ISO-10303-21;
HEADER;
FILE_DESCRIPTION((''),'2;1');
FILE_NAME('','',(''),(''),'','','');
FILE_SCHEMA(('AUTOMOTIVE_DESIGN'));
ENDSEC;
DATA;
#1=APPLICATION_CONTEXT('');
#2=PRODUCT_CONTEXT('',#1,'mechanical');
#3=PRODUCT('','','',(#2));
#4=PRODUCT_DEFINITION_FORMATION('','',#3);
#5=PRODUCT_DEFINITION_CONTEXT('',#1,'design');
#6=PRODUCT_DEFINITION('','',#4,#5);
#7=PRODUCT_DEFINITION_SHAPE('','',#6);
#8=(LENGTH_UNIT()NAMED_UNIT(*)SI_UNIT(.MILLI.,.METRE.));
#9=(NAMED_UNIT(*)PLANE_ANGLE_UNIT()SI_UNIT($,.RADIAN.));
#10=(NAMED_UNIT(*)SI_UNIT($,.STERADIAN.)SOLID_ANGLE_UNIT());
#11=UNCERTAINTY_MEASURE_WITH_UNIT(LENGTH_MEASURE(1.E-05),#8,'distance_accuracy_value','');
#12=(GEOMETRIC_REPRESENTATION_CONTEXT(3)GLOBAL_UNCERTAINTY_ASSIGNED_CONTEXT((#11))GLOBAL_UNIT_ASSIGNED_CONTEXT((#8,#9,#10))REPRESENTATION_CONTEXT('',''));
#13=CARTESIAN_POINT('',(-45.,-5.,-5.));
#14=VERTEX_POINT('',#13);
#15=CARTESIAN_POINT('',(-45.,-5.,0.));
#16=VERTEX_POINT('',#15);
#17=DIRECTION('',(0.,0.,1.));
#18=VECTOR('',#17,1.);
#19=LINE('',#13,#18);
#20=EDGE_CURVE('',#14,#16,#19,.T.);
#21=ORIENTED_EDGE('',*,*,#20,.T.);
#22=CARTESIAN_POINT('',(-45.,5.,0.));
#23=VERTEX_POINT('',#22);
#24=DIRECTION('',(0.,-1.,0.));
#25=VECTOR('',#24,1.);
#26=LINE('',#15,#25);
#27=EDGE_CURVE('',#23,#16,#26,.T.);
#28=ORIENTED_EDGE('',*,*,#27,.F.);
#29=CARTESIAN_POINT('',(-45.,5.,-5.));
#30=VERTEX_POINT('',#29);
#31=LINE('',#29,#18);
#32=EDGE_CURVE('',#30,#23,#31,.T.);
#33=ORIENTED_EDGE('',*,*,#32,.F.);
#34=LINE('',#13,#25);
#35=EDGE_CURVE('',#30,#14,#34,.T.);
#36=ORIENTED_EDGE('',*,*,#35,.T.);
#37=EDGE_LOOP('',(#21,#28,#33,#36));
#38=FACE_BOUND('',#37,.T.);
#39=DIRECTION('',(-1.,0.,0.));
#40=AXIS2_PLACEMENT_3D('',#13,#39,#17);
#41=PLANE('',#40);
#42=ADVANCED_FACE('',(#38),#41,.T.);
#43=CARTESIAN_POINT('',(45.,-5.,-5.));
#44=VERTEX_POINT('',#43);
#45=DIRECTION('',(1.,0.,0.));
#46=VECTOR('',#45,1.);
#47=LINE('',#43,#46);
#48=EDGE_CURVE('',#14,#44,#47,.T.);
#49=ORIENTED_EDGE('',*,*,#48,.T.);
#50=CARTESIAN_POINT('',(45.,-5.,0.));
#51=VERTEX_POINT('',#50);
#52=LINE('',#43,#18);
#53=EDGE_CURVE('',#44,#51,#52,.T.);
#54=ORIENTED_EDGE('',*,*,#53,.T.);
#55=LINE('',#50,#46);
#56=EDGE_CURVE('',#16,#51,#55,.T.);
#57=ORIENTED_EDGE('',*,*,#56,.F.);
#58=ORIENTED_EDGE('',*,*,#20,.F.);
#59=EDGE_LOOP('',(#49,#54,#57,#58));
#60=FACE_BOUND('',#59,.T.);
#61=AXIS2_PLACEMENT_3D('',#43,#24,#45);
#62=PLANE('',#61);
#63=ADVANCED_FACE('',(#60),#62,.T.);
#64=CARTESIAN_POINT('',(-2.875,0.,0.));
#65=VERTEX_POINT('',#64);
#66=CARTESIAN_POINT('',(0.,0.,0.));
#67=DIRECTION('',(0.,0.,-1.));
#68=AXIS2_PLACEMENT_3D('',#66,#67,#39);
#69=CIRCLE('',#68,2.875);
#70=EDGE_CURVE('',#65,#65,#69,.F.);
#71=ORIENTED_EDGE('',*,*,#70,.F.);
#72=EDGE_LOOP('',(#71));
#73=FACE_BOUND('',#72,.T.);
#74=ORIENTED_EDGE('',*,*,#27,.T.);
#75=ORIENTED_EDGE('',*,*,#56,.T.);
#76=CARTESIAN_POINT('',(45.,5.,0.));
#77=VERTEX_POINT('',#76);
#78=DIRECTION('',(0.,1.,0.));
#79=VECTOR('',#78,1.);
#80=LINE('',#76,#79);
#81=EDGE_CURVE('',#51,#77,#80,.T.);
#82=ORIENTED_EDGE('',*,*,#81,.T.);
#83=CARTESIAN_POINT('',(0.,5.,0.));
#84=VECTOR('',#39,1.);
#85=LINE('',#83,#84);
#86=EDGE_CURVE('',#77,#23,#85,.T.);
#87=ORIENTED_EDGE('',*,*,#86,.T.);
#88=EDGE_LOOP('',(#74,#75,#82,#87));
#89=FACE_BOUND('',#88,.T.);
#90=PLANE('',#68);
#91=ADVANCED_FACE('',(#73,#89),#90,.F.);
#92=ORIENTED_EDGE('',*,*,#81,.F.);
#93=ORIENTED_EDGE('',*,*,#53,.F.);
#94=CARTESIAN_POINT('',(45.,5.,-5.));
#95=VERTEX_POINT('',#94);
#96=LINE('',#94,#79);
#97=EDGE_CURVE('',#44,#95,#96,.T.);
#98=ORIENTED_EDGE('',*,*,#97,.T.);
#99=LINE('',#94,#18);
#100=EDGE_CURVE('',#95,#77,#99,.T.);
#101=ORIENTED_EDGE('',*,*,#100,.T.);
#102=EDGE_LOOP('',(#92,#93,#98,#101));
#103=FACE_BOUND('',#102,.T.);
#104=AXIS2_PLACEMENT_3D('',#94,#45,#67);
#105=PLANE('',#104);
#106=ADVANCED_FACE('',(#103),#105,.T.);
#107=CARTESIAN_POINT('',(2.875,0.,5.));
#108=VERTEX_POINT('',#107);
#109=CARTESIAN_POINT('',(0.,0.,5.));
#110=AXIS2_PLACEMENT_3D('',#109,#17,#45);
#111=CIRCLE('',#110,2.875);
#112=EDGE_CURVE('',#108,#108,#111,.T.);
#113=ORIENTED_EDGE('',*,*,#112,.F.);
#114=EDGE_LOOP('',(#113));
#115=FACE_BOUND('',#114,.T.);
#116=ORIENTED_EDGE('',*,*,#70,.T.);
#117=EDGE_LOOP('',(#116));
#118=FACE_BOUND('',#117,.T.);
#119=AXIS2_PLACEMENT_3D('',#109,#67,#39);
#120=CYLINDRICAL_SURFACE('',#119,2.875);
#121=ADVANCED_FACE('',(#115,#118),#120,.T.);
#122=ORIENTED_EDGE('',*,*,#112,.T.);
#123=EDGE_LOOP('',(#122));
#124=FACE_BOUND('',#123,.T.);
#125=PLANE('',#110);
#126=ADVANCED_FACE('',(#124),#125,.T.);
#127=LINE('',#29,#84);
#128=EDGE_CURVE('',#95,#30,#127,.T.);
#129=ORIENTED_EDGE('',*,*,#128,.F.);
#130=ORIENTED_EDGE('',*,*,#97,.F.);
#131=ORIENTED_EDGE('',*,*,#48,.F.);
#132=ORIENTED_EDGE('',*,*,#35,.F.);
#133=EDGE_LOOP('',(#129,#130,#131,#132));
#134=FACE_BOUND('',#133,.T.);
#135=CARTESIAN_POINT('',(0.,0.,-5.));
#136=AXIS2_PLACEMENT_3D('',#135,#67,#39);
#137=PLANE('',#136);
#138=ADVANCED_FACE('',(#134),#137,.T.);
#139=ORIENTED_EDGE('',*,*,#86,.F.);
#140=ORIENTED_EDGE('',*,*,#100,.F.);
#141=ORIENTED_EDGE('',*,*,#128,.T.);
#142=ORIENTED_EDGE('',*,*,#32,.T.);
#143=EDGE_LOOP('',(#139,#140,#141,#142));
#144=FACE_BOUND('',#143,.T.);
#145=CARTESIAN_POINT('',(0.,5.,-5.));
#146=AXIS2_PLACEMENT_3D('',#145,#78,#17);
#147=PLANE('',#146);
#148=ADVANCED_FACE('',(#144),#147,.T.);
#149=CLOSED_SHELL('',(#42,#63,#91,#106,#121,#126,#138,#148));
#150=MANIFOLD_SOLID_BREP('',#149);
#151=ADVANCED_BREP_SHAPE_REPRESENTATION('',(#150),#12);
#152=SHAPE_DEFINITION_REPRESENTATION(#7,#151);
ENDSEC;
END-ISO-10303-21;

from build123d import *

# Parameters (mm, degrees)
BOSS_EXTRUDE2_DEPTH = 5
SKETCH2_R           = 2.875
BOSS_EXTRUDE3_DEPTH = 5


with BuildPart() as part:
    # Sketch1 → Boss-Extrude2 (new body)
    with BuildSketch(Plane.XY):
        Polygon((0, 5), (45, 5), (45, -5), (-45, -5), (-45, 5), align=None)
    extrude(amount=-BOSS_EXTRUDE2_DEPTH)

    # Sketch2 → Boss-Extrude3 (add)
    with BuildSketch(Plane.XY):
        with Locations(Location((0, 0, 0), (0, 0, 180))):
            Circle(SKETCH2_R)
    extrude(amount=BOSS_EXTRUDE3_DEPTH)


solid = part.part
